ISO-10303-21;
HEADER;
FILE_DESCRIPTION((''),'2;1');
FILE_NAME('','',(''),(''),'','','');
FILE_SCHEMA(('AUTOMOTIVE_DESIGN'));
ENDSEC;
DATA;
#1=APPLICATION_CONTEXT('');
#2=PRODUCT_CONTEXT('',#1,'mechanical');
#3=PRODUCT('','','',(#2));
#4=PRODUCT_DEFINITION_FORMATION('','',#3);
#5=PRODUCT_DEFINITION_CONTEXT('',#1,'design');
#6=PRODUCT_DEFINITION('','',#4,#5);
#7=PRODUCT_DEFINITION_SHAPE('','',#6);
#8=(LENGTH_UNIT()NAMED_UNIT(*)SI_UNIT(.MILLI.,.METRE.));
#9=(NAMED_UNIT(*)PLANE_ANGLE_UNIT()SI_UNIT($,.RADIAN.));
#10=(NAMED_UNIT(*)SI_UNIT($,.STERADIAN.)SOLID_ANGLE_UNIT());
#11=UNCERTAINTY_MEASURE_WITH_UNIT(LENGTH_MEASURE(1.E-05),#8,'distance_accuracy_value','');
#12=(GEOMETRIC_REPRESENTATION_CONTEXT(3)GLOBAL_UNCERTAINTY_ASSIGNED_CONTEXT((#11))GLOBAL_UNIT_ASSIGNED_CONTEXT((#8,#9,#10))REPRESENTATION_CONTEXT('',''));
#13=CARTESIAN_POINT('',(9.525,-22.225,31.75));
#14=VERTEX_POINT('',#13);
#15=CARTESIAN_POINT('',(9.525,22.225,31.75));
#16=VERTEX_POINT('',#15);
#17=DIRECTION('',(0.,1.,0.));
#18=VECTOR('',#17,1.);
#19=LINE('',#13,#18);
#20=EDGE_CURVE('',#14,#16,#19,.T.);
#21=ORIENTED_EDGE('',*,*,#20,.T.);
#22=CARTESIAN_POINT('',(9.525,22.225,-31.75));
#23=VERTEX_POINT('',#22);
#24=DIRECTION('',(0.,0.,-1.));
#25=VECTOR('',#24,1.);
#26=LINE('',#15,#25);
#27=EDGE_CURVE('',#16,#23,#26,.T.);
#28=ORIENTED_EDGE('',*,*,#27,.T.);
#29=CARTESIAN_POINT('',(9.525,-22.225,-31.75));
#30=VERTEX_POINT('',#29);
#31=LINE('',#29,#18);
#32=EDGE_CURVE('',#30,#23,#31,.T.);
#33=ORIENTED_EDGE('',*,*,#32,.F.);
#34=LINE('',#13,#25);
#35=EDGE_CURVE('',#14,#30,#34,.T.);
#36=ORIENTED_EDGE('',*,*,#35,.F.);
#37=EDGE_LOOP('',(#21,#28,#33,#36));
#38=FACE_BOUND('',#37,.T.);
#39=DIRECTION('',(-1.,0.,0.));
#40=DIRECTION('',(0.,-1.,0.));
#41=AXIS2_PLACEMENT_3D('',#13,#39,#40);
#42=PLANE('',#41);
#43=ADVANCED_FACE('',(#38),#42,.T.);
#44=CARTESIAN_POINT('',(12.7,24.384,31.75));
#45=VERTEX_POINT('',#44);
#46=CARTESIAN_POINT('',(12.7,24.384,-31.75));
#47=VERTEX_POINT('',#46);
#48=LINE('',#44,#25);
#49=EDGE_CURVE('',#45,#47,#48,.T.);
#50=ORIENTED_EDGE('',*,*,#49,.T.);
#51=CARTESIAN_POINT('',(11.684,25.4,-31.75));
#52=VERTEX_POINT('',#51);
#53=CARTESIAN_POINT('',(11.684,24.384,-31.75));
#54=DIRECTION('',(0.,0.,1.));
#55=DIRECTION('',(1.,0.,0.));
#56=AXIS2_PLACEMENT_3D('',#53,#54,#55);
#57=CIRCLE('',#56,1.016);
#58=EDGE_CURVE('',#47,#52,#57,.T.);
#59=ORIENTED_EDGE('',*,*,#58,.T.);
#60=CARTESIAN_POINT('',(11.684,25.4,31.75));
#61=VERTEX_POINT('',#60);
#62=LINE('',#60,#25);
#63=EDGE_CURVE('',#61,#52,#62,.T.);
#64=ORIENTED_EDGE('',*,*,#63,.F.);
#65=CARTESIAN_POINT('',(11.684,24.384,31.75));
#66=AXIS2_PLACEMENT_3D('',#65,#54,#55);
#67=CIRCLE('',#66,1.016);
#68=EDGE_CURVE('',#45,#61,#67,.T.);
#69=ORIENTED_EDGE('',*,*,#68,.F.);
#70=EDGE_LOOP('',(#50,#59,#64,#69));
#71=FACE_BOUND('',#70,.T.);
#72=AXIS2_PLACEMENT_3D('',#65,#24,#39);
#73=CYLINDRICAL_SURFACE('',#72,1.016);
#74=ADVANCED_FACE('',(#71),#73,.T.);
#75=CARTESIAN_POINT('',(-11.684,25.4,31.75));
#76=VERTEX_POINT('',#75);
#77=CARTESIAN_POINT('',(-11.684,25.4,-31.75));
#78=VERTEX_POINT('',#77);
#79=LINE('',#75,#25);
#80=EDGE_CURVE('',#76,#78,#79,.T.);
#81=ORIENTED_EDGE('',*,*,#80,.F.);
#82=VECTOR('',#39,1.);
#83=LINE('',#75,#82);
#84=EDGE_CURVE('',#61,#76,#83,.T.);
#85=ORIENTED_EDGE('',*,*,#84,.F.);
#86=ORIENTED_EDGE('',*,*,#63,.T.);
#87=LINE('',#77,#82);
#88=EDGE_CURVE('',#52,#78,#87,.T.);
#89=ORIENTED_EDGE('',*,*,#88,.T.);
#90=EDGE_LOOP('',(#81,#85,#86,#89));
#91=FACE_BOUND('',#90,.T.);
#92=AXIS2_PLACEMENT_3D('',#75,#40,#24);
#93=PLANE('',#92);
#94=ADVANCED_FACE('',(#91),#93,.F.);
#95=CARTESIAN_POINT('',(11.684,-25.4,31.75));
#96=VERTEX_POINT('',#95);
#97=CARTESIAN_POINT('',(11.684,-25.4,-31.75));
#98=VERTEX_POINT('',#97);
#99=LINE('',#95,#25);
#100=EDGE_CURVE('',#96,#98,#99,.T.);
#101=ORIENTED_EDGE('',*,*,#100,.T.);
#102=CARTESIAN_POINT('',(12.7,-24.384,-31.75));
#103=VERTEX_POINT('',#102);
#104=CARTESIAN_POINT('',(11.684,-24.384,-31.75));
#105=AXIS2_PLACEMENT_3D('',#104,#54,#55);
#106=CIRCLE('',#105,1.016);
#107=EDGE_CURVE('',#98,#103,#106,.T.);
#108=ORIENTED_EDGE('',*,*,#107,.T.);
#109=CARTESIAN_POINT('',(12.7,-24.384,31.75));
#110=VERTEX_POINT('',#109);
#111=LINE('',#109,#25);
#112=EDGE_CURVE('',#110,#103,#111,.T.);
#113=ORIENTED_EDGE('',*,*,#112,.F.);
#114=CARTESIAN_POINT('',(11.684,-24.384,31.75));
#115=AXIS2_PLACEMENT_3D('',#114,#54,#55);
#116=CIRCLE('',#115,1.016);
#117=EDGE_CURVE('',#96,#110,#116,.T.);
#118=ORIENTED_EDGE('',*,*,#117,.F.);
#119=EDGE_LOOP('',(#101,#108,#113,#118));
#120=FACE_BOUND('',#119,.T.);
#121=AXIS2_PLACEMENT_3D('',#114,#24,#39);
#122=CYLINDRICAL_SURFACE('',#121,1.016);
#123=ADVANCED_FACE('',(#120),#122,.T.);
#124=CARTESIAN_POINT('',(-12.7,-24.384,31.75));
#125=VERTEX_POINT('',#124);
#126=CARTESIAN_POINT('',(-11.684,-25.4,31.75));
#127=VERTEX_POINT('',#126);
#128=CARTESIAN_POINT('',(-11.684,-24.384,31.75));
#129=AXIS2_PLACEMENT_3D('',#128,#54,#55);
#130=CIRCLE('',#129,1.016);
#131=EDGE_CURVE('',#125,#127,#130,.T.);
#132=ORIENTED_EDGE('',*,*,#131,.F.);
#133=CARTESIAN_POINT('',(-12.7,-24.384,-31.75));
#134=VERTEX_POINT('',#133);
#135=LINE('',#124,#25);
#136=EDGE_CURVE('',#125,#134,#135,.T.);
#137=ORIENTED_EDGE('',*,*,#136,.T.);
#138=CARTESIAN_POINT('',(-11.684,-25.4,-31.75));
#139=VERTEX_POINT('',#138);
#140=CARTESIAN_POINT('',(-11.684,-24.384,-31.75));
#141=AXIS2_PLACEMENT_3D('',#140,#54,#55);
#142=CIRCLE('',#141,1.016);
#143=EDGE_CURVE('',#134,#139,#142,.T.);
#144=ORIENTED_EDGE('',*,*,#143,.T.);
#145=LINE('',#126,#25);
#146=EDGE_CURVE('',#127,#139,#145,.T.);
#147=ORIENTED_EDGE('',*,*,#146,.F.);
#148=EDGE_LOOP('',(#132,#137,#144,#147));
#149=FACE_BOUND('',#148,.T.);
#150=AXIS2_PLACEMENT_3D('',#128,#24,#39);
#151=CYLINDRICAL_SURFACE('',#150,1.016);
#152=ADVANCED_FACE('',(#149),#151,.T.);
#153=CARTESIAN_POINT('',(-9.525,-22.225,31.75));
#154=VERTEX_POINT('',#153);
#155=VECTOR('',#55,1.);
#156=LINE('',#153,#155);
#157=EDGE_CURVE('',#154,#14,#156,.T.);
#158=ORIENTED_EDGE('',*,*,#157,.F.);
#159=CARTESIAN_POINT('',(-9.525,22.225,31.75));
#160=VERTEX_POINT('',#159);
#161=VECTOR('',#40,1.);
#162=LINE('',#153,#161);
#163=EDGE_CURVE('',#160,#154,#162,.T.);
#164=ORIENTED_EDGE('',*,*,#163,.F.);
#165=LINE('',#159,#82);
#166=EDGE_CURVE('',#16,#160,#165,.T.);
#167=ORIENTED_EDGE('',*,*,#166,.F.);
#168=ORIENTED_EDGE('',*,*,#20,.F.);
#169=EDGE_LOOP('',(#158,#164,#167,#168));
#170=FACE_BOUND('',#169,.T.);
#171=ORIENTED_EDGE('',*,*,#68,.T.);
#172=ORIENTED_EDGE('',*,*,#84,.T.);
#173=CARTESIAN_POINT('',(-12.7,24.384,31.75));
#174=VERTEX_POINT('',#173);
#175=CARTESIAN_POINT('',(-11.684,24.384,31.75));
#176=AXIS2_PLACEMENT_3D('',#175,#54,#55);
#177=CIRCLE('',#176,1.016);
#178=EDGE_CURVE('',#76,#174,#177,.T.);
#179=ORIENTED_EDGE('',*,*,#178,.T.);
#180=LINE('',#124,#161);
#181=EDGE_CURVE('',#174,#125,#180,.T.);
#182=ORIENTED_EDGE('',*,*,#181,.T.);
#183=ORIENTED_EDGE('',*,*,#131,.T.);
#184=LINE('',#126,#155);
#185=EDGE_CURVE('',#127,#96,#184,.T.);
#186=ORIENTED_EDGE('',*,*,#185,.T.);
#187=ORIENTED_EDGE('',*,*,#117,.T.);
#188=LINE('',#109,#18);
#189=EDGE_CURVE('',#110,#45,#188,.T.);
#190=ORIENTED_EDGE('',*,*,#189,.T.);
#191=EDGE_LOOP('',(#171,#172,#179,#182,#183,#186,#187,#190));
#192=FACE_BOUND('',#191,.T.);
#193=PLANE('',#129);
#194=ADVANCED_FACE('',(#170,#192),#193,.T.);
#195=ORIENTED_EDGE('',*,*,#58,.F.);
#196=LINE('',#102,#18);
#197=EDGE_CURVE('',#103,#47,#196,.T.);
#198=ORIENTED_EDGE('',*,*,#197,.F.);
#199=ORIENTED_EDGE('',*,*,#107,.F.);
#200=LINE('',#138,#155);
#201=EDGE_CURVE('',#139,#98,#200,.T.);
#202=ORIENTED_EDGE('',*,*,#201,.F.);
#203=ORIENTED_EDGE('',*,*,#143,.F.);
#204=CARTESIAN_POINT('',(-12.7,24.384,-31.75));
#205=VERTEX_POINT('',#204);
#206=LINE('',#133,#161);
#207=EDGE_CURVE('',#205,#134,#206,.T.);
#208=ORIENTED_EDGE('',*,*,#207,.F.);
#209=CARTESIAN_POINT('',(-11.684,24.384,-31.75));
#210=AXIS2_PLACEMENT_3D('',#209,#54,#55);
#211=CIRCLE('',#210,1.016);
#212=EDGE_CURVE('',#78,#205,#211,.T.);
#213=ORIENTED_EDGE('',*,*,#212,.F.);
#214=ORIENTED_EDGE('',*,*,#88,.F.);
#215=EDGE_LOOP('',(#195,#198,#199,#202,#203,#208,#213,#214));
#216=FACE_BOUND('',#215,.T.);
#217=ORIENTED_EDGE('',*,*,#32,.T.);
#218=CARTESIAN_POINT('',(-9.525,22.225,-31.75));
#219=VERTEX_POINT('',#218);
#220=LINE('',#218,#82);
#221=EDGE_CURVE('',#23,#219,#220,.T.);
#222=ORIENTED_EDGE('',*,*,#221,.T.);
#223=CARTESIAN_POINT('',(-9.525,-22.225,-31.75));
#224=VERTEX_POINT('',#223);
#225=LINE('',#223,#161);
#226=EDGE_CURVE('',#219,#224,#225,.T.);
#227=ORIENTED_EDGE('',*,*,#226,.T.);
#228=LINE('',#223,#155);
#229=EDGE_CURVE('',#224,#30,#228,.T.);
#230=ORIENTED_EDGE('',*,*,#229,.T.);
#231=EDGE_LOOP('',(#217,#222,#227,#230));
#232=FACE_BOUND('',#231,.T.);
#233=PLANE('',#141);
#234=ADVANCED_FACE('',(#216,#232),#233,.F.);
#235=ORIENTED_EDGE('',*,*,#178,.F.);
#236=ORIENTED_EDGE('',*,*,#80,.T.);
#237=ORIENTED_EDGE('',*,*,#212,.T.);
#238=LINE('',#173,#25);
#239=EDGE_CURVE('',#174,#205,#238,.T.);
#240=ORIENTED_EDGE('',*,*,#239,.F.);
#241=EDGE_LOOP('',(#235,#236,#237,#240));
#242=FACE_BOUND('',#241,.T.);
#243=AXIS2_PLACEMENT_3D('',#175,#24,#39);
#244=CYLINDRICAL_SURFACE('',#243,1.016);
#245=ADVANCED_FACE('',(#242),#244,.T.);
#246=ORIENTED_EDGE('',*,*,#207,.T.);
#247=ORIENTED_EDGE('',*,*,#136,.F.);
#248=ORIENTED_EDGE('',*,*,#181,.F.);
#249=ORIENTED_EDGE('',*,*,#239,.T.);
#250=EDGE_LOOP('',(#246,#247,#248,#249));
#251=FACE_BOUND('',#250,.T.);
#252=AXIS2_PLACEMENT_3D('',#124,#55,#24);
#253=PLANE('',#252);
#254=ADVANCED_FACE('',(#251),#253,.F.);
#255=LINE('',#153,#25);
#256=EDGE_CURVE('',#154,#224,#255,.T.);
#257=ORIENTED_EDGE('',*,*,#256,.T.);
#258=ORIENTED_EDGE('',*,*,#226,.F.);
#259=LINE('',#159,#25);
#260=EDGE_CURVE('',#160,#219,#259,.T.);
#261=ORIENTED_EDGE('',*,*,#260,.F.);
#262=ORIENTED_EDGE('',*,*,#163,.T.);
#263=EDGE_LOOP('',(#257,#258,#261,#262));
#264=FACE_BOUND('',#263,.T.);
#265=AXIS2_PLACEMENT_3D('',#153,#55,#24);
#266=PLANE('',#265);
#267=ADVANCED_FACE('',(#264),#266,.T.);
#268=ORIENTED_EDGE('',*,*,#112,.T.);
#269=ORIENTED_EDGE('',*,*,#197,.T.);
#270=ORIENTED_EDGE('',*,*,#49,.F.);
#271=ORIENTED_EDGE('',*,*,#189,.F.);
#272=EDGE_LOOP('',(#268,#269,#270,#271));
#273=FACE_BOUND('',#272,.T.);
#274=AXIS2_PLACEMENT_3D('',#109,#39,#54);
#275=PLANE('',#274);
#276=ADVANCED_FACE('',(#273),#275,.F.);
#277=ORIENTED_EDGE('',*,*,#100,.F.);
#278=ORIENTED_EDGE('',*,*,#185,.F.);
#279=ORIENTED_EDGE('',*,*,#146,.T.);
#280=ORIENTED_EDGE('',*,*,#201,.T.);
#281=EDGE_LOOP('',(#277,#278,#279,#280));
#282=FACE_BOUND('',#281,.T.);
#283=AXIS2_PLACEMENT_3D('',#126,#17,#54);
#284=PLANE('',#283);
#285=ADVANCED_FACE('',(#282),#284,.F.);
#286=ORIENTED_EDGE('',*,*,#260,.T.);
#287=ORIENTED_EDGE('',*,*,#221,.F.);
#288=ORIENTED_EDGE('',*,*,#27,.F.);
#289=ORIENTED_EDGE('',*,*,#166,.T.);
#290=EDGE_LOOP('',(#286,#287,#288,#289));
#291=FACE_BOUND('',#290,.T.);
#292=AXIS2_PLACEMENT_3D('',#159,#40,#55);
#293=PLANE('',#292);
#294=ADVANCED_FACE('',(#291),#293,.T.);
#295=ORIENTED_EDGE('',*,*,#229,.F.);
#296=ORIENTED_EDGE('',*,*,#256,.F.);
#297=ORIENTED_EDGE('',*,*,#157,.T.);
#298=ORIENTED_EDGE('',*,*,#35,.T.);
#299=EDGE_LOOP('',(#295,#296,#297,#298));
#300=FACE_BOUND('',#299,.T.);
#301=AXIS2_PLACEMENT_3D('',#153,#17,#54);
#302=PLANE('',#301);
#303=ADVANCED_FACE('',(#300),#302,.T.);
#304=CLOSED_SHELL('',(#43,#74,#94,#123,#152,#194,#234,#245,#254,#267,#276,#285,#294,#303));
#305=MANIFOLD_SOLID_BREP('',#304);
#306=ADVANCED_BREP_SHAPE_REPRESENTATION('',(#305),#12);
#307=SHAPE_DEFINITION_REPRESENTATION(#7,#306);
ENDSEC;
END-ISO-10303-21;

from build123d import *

# Parameters (mm, degrees)
SKETCH1_W           = 19.05
SKETCH1_H           = 44.45
BOSS_EXTRUDE1_DEPTH = 31.75


with BuildPart() as part:
    # Sketch1 → Boss-Extrude1 (new, symmetric)
    with BuildSketch(Plane.XY):
        with BuildLine():
            Line((-11.684, -25.4), (11.684, -25.4))
            ThreePointArc((11.684, -25.4), (12.40242049, -25.10242049), (12.7, -24.384))
            Line((12.7, -24.384), (12.7, 24.384))
            ThreePointArc((12.7, 24.384), (12.40242049, 25.10242049), (11.684, 25.4))
            Line((11.684, 25.4), (-11.684, 25.4))
            ThreePointArc((-11.684, 25.4), (-12.40242049, 25.10242049), (-12.7, 24.384))
            Line((-12.7, 24.384), (-12.7, -24.384))
            ThreePointArc((-12.7, -24.384), (-12.40242049, -25.10242049), (-11.684, -25.4))
        make_face()
        Rectangle(SKETCH1_W, SKETCH1_H, mode=Mode.SUBTRACT)
    extrude(amount=BOSS_EXTRUDE1_DEPTH, both=True)


solid = part.part
